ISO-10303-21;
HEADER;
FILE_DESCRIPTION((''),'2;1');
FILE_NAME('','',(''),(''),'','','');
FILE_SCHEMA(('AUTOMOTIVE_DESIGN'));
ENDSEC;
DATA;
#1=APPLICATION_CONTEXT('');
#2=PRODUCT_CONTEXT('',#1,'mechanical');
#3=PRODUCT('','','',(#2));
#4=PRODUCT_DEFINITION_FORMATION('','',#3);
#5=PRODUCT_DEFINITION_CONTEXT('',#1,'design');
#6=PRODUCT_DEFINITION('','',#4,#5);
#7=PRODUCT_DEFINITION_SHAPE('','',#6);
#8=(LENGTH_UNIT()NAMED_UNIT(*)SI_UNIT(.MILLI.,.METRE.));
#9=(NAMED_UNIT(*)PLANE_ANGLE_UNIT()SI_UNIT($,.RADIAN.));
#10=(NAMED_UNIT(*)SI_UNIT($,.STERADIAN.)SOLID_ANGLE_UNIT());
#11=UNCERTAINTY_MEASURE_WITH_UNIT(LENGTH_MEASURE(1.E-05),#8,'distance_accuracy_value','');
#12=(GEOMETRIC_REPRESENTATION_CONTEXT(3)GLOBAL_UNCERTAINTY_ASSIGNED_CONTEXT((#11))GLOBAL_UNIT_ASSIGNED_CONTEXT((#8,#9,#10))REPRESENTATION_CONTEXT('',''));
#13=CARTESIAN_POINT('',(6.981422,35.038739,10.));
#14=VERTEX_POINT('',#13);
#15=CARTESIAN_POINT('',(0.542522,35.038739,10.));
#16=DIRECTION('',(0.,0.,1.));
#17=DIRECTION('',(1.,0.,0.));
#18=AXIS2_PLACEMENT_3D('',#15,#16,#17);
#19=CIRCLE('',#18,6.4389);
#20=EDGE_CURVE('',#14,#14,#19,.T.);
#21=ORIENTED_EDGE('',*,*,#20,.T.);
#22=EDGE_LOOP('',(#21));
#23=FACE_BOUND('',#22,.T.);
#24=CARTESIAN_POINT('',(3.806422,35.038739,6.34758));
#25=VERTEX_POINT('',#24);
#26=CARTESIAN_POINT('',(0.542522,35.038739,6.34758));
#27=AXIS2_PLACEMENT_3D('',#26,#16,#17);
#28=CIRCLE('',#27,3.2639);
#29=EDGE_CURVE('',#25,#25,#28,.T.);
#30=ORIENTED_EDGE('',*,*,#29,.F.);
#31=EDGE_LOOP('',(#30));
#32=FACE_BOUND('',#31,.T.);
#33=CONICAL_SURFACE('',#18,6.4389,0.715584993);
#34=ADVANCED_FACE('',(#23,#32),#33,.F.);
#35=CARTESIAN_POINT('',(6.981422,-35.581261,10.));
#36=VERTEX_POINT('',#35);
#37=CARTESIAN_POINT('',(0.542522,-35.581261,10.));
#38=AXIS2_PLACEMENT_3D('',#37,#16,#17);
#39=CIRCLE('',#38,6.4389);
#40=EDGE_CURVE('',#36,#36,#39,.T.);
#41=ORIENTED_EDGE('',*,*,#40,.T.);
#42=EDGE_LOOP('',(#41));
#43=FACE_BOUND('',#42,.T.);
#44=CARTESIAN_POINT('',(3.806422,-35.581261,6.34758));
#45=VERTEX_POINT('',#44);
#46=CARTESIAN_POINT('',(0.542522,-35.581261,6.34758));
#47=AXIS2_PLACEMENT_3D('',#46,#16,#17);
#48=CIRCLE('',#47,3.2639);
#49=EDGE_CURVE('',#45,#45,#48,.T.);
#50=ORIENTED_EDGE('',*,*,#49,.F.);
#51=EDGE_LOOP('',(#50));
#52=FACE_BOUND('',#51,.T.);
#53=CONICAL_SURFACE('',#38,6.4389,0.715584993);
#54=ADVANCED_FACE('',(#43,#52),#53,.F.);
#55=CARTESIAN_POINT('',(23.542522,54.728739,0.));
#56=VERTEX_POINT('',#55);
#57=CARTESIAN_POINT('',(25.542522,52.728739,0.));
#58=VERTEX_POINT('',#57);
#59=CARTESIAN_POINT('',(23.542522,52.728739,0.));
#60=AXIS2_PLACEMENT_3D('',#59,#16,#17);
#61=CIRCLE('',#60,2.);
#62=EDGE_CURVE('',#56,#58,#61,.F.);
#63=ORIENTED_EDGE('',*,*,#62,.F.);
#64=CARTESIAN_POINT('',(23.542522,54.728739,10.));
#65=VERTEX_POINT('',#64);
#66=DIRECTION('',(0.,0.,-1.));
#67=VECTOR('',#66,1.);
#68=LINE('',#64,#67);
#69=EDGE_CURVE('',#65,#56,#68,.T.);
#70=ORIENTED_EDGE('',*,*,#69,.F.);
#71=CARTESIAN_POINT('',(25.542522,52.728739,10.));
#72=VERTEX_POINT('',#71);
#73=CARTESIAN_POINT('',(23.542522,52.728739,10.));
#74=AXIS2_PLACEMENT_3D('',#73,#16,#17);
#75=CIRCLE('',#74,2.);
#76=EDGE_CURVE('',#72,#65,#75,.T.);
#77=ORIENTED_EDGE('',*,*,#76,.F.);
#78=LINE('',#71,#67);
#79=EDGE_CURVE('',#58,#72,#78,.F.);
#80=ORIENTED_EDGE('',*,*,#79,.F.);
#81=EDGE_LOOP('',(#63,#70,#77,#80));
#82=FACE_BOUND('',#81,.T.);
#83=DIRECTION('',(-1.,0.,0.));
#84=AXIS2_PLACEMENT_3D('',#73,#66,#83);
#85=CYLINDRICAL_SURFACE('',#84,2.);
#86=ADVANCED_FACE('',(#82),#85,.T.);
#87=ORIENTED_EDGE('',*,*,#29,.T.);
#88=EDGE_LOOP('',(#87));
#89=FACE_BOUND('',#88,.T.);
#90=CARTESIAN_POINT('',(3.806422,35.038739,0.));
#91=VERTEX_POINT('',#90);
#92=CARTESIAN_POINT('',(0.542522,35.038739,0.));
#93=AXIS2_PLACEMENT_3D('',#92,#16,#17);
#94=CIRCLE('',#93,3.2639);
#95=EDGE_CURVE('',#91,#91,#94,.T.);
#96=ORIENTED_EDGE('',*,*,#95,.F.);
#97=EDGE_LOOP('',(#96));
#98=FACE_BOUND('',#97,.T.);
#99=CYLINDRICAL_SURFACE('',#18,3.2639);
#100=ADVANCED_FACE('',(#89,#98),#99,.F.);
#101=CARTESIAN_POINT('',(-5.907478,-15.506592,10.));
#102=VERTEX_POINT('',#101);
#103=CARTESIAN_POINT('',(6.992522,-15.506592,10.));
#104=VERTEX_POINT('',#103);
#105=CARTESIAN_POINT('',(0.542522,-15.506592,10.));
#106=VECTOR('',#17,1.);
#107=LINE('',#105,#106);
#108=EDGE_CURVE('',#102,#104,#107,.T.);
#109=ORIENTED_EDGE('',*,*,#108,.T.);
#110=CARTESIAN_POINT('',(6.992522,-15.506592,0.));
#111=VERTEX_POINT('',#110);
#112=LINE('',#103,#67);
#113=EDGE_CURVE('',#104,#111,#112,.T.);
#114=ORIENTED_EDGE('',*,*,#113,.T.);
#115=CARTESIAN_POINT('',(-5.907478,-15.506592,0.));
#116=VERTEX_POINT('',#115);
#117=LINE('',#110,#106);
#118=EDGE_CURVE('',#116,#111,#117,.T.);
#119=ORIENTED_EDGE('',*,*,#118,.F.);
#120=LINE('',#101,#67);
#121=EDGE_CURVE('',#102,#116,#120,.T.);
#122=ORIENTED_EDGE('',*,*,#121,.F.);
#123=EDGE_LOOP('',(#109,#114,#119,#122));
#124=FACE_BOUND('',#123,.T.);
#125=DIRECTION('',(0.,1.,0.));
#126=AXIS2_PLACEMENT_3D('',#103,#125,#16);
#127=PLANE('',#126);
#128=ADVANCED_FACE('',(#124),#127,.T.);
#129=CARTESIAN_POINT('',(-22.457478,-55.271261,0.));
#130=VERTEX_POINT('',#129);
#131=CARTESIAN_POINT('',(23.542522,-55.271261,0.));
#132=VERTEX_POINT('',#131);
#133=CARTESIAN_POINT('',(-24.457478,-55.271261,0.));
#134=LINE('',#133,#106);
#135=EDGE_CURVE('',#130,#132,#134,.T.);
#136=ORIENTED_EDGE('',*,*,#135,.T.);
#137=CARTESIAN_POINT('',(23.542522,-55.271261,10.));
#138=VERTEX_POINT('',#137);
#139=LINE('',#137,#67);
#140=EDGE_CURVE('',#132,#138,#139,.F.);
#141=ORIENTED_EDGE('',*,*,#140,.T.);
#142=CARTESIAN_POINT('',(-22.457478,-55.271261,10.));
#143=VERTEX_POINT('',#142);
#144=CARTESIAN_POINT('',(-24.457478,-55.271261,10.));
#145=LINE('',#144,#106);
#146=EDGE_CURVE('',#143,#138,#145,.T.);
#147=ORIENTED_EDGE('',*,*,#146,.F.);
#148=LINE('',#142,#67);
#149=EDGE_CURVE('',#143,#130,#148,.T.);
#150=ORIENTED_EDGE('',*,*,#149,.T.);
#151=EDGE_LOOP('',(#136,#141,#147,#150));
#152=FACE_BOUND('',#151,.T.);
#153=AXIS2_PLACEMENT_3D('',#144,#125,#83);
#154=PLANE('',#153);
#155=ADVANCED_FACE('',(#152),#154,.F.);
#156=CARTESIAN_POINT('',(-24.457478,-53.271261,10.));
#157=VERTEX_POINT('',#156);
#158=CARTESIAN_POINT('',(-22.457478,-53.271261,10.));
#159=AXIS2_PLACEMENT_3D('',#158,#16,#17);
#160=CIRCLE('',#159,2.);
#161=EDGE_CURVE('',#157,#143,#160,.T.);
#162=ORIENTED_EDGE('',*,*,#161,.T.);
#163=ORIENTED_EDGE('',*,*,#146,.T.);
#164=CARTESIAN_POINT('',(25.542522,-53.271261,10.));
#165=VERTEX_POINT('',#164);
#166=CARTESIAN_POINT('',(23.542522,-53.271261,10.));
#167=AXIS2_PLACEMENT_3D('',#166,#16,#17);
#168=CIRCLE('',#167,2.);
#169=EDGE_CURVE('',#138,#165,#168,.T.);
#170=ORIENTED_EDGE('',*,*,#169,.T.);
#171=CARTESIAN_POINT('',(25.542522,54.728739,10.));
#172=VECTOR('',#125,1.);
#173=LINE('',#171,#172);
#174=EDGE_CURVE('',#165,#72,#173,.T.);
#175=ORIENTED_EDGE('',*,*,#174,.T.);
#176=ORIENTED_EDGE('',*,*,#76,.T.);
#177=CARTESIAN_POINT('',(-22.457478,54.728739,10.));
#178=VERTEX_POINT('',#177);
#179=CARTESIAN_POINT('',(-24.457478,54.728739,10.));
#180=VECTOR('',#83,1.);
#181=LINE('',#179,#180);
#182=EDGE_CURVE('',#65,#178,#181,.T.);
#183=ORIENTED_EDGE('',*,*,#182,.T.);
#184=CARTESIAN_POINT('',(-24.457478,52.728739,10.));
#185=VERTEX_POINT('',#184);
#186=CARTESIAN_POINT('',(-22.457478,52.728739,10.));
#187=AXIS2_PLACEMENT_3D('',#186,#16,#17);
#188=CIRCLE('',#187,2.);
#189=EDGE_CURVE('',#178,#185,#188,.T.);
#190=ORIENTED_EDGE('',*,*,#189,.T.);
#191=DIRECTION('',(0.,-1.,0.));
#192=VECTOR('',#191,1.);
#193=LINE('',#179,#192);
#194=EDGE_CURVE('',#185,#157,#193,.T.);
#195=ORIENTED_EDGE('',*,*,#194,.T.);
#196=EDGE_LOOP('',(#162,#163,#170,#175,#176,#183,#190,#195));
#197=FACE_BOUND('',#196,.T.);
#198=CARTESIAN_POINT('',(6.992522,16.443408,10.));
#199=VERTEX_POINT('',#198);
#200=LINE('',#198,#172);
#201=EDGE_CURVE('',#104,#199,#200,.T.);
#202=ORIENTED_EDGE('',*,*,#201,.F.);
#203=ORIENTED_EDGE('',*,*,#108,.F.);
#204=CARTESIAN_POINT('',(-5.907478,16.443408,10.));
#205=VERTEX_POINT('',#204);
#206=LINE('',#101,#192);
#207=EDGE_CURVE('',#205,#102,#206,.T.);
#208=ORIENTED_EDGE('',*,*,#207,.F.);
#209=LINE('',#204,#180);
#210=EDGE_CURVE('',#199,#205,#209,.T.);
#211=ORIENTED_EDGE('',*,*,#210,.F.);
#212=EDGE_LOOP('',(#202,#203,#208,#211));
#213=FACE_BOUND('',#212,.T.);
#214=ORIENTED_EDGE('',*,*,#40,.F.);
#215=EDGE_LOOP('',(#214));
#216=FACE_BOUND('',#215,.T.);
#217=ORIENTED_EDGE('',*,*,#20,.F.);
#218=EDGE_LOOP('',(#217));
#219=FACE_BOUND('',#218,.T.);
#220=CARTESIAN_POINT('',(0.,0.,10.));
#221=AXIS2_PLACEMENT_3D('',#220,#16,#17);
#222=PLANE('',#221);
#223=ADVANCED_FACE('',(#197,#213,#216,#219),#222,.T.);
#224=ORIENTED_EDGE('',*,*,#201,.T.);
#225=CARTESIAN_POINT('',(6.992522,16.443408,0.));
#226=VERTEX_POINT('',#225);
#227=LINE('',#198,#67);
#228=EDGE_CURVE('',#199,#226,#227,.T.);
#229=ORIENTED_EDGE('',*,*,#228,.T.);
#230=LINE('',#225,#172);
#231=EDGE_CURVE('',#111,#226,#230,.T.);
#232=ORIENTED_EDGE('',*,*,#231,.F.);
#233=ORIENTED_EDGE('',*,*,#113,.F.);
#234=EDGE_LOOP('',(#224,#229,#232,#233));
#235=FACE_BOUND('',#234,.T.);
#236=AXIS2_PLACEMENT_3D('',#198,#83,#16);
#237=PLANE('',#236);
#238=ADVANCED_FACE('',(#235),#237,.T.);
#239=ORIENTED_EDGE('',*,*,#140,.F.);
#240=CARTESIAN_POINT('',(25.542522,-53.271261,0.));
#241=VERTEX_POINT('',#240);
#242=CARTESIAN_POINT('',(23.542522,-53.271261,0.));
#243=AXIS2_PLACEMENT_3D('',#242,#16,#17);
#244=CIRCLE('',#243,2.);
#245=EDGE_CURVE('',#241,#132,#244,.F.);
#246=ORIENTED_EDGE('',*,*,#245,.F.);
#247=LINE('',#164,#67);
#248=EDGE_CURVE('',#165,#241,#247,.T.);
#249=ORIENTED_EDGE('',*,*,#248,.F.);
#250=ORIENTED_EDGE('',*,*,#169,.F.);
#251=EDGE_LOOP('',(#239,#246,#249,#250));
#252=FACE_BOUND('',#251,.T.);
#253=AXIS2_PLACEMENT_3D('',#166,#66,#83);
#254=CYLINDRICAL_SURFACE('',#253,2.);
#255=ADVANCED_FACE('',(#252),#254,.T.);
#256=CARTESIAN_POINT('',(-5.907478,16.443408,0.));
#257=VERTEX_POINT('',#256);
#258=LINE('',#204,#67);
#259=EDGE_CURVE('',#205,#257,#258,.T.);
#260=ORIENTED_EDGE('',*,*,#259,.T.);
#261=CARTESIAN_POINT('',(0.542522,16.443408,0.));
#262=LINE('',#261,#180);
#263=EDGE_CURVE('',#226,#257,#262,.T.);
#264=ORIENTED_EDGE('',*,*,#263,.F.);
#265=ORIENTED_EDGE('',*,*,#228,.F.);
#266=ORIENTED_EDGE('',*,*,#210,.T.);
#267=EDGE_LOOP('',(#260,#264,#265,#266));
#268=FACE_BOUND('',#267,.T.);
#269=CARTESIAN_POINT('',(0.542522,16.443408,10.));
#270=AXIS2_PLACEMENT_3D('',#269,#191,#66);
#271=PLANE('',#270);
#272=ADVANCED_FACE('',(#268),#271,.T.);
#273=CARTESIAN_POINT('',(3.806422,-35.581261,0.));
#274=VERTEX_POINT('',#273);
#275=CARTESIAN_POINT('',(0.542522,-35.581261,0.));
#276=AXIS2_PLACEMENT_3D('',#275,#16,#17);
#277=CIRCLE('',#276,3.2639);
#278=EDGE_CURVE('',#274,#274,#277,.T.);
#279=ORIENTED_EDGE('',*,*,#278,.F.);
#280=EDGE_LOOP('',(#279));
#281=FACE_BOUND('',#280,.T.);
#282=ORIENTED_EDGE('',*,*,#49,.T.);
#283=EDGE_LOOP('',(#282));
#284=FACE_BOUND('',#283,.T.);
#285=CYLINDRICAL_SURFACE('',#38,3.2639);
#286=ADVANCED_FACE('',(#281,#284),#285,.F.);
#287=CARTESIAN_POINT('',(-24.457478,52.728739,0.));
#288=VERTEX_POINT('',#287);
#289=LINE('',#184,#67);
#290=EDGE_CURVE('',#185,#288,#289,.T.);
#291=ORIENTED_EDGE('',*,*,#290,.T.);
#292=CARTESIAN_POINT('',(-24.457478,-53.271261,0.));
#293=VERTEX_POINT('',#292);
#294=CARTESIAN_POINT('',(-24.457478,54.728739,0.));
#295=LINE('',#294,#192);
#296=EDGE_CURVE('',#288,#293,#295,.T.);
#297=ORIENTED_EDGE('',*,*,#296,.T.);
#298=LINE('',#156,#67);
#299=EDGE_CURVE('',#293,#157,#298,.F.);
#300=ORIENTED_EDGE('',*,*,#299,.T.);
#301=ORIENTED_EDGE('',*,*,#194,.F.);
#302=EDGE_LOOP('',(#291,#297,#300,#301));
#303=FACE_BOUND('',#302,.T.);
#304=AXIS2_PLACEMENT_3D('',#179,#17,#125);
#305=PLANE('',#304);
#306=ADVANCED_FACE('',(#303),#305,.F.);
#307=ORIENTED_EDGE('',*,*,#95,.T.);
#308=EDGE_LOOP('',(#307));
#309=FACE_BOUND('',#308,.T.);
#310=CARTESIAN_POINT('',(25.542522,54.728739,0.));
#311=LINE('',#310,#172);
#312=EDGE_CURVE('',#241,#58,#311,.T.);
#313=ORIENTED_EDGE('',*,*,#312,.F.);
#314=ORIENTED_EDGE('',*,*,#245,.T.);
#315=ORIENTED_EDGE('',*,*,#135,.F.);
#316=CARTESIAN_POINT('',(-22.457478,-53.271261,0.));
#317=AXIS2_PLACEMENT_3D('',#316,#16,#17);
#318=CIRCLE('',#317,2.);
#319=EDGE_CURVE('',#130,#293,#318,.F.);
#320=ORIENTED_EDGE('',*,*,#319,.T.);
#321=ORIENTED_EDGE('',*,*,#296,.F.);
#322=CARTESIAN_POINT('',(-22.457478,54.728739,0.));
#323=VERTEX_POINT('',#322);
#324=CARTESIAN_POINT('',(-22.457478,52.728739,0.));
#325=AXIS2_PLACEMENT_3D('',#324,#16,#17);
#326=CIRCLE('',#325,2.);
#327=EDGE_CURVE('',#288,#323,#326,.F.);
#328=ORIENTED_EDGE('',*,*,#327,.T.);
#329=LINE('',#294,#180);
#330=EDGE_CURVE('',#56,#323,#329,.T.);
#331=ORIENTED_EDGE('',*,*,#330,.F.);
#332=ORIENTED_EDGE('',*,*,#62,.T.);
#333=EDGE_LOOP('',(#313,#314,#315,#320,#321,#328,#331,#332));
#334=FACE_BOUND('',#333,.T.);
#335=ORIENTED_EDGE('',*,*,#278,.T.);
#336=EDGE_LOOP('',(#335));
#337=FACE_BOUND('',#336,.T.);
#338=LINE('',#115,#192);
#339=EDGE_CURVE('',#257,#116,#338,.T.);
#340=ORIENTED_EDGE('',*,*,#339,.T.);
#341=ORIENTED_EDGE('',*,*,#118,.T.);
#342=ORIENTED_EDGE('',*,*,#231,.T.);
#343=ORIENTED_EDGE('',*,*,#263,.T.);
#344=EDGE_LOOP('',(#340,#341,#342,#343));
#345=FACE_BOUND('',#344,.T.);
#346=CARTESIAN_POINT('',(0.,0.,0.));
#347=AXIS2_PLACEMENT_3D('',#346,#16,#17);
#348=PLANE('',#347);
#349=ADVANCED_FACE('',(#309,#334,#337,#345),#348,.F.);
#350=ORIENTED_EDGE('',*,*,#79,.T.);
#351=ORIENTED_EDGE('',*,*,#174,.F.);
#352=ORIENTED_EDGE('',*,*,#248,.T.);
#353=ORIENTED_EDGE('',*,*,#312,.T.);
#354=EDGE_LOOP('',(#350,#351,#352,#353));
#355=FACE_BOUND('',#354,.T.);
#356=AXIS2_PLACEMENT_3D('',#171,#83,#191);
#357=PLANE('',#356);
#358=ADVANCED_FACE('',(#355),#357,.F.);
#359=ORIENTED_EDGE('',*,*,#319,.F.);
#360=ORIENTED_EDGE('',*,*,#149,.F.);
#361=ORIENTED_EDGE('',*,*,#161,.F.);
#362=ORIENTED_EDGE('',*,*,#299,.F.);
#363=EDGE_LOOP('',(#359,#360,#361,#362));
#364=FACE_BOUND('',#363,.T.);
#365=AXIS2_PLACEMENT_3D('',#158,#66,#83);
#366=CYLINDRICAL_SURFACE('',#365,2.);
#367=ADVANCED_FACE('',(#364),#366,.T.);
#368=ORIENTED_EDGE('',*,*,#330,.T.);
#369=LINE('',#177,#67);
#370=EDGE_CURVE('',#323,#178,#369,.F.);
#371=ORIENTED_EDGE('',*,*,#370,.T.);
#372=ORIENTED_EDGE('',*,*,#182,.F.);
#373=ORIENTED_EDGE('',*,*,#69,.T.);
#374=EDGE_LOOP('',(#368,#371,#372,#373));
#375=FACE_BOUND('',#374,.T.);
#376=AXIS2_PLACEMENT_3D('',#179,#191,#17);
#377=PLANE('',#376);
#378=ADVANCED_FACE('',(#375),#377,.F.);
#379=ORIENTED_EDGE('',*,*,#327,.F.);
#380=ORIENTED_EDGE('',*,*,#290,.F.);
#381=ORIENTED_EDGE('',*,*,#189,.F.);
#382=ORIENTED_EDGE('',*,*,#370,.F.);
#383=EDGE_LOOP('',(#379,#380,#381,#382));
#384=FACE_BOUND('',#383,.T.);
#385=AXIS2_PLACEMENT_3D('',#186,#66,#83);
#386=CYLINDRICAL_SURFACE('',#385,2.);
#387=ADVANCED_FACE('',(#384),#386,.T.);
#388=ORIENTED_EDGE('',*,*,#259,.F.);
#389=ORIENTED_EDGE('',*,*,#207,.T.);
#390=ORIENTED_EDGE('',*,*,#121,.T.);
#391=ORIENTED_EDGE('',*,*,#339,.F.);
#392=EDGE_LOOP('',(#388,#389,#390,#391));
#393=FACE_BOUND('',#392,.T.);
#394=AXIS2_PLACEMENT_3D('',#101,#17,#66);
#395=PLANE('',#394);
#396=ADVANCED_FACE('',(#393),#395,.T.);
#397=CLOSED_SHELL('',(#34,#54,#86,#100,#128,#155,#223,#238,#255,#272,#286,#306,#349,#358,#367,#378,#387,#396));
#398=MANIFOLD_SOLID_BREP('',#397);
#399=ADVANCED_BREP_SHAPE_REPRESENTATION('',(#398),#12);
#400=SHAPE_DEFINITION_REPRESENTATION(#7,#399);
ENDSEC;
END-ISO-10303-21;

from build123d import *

# Parameters (mm, degrees)
SKETCH1_W                                        = 50
SKETCH1_H                                        = 110
BOSS_EXTRUDE1_DEPTH                              = 10
CSK_FOR_1_4_FLAT_HEAD_MACHINE_SCREW1_D           = 6.5278
CSK_FOR_1_4_FLAT_HEAD_MACHINE_SCREW1_CSINK_D     = 12.8778
CSK_FOR_1_4_FLAT_HEAD_MACHINE_SCREW1_CSINK_ANGLE = 82
FILLET1_R                                        = 2


with BuildPart() as part:
    # Sketch1 → Boss-Extrude1 (new body)
    with BuildSketch(Plane.XY):
        with Locations((0.542522126, -0.271261063)):
            Rectangle(SKETCH1_W, SKETCH1_H)
        Polygon((0.542522126, 16.44340804), (6.992522126, 16.44340804), (6.992522126, -15.50659196), (0.542522126, -15.50659196), (-5.907477874, -15.50659196), (-5.907477874, 16.44340804), align=None, mode=Mode.SUBTRACT)
    extrude(amount=BOSS_EXTRUDE1_DEPTH)

    # CSK for 1/4 Flat Head Machine Screw1 (through all)
    with Locations(Plane.XY.offset(10)):
        with Locations((0.542522126, -35.581261063), (0.542522126, 35.038738937)):
            CounterSinkHole(CSK_FOR_1_4_FLAT_HEAD_MACHINE_SCREW1_D / 2, CSK_FOR_1_4_FLAT_HEAD_MACHINE_SCREW1_CSINK_D / 2, counter_sink_angle=CSK_FOR_1_4_FLAT_HEAD_MACHINE_SCREW1_CSINK_ANGLE)

    # Fillet1
    fillet1_edges = [part.edges().sort_by_distance(p)[0] for p in [
        (-24.457477874, 54.728738937, 5),
        (25.542522126, 54.728738937, 5),
        (25.542522126, -55.271261063, 5),
        (-24.457477874, -55.271261063, 5),
    ]]
    fillet(fillet1_edges, radius=FILLET1_R)


solid = part.part
